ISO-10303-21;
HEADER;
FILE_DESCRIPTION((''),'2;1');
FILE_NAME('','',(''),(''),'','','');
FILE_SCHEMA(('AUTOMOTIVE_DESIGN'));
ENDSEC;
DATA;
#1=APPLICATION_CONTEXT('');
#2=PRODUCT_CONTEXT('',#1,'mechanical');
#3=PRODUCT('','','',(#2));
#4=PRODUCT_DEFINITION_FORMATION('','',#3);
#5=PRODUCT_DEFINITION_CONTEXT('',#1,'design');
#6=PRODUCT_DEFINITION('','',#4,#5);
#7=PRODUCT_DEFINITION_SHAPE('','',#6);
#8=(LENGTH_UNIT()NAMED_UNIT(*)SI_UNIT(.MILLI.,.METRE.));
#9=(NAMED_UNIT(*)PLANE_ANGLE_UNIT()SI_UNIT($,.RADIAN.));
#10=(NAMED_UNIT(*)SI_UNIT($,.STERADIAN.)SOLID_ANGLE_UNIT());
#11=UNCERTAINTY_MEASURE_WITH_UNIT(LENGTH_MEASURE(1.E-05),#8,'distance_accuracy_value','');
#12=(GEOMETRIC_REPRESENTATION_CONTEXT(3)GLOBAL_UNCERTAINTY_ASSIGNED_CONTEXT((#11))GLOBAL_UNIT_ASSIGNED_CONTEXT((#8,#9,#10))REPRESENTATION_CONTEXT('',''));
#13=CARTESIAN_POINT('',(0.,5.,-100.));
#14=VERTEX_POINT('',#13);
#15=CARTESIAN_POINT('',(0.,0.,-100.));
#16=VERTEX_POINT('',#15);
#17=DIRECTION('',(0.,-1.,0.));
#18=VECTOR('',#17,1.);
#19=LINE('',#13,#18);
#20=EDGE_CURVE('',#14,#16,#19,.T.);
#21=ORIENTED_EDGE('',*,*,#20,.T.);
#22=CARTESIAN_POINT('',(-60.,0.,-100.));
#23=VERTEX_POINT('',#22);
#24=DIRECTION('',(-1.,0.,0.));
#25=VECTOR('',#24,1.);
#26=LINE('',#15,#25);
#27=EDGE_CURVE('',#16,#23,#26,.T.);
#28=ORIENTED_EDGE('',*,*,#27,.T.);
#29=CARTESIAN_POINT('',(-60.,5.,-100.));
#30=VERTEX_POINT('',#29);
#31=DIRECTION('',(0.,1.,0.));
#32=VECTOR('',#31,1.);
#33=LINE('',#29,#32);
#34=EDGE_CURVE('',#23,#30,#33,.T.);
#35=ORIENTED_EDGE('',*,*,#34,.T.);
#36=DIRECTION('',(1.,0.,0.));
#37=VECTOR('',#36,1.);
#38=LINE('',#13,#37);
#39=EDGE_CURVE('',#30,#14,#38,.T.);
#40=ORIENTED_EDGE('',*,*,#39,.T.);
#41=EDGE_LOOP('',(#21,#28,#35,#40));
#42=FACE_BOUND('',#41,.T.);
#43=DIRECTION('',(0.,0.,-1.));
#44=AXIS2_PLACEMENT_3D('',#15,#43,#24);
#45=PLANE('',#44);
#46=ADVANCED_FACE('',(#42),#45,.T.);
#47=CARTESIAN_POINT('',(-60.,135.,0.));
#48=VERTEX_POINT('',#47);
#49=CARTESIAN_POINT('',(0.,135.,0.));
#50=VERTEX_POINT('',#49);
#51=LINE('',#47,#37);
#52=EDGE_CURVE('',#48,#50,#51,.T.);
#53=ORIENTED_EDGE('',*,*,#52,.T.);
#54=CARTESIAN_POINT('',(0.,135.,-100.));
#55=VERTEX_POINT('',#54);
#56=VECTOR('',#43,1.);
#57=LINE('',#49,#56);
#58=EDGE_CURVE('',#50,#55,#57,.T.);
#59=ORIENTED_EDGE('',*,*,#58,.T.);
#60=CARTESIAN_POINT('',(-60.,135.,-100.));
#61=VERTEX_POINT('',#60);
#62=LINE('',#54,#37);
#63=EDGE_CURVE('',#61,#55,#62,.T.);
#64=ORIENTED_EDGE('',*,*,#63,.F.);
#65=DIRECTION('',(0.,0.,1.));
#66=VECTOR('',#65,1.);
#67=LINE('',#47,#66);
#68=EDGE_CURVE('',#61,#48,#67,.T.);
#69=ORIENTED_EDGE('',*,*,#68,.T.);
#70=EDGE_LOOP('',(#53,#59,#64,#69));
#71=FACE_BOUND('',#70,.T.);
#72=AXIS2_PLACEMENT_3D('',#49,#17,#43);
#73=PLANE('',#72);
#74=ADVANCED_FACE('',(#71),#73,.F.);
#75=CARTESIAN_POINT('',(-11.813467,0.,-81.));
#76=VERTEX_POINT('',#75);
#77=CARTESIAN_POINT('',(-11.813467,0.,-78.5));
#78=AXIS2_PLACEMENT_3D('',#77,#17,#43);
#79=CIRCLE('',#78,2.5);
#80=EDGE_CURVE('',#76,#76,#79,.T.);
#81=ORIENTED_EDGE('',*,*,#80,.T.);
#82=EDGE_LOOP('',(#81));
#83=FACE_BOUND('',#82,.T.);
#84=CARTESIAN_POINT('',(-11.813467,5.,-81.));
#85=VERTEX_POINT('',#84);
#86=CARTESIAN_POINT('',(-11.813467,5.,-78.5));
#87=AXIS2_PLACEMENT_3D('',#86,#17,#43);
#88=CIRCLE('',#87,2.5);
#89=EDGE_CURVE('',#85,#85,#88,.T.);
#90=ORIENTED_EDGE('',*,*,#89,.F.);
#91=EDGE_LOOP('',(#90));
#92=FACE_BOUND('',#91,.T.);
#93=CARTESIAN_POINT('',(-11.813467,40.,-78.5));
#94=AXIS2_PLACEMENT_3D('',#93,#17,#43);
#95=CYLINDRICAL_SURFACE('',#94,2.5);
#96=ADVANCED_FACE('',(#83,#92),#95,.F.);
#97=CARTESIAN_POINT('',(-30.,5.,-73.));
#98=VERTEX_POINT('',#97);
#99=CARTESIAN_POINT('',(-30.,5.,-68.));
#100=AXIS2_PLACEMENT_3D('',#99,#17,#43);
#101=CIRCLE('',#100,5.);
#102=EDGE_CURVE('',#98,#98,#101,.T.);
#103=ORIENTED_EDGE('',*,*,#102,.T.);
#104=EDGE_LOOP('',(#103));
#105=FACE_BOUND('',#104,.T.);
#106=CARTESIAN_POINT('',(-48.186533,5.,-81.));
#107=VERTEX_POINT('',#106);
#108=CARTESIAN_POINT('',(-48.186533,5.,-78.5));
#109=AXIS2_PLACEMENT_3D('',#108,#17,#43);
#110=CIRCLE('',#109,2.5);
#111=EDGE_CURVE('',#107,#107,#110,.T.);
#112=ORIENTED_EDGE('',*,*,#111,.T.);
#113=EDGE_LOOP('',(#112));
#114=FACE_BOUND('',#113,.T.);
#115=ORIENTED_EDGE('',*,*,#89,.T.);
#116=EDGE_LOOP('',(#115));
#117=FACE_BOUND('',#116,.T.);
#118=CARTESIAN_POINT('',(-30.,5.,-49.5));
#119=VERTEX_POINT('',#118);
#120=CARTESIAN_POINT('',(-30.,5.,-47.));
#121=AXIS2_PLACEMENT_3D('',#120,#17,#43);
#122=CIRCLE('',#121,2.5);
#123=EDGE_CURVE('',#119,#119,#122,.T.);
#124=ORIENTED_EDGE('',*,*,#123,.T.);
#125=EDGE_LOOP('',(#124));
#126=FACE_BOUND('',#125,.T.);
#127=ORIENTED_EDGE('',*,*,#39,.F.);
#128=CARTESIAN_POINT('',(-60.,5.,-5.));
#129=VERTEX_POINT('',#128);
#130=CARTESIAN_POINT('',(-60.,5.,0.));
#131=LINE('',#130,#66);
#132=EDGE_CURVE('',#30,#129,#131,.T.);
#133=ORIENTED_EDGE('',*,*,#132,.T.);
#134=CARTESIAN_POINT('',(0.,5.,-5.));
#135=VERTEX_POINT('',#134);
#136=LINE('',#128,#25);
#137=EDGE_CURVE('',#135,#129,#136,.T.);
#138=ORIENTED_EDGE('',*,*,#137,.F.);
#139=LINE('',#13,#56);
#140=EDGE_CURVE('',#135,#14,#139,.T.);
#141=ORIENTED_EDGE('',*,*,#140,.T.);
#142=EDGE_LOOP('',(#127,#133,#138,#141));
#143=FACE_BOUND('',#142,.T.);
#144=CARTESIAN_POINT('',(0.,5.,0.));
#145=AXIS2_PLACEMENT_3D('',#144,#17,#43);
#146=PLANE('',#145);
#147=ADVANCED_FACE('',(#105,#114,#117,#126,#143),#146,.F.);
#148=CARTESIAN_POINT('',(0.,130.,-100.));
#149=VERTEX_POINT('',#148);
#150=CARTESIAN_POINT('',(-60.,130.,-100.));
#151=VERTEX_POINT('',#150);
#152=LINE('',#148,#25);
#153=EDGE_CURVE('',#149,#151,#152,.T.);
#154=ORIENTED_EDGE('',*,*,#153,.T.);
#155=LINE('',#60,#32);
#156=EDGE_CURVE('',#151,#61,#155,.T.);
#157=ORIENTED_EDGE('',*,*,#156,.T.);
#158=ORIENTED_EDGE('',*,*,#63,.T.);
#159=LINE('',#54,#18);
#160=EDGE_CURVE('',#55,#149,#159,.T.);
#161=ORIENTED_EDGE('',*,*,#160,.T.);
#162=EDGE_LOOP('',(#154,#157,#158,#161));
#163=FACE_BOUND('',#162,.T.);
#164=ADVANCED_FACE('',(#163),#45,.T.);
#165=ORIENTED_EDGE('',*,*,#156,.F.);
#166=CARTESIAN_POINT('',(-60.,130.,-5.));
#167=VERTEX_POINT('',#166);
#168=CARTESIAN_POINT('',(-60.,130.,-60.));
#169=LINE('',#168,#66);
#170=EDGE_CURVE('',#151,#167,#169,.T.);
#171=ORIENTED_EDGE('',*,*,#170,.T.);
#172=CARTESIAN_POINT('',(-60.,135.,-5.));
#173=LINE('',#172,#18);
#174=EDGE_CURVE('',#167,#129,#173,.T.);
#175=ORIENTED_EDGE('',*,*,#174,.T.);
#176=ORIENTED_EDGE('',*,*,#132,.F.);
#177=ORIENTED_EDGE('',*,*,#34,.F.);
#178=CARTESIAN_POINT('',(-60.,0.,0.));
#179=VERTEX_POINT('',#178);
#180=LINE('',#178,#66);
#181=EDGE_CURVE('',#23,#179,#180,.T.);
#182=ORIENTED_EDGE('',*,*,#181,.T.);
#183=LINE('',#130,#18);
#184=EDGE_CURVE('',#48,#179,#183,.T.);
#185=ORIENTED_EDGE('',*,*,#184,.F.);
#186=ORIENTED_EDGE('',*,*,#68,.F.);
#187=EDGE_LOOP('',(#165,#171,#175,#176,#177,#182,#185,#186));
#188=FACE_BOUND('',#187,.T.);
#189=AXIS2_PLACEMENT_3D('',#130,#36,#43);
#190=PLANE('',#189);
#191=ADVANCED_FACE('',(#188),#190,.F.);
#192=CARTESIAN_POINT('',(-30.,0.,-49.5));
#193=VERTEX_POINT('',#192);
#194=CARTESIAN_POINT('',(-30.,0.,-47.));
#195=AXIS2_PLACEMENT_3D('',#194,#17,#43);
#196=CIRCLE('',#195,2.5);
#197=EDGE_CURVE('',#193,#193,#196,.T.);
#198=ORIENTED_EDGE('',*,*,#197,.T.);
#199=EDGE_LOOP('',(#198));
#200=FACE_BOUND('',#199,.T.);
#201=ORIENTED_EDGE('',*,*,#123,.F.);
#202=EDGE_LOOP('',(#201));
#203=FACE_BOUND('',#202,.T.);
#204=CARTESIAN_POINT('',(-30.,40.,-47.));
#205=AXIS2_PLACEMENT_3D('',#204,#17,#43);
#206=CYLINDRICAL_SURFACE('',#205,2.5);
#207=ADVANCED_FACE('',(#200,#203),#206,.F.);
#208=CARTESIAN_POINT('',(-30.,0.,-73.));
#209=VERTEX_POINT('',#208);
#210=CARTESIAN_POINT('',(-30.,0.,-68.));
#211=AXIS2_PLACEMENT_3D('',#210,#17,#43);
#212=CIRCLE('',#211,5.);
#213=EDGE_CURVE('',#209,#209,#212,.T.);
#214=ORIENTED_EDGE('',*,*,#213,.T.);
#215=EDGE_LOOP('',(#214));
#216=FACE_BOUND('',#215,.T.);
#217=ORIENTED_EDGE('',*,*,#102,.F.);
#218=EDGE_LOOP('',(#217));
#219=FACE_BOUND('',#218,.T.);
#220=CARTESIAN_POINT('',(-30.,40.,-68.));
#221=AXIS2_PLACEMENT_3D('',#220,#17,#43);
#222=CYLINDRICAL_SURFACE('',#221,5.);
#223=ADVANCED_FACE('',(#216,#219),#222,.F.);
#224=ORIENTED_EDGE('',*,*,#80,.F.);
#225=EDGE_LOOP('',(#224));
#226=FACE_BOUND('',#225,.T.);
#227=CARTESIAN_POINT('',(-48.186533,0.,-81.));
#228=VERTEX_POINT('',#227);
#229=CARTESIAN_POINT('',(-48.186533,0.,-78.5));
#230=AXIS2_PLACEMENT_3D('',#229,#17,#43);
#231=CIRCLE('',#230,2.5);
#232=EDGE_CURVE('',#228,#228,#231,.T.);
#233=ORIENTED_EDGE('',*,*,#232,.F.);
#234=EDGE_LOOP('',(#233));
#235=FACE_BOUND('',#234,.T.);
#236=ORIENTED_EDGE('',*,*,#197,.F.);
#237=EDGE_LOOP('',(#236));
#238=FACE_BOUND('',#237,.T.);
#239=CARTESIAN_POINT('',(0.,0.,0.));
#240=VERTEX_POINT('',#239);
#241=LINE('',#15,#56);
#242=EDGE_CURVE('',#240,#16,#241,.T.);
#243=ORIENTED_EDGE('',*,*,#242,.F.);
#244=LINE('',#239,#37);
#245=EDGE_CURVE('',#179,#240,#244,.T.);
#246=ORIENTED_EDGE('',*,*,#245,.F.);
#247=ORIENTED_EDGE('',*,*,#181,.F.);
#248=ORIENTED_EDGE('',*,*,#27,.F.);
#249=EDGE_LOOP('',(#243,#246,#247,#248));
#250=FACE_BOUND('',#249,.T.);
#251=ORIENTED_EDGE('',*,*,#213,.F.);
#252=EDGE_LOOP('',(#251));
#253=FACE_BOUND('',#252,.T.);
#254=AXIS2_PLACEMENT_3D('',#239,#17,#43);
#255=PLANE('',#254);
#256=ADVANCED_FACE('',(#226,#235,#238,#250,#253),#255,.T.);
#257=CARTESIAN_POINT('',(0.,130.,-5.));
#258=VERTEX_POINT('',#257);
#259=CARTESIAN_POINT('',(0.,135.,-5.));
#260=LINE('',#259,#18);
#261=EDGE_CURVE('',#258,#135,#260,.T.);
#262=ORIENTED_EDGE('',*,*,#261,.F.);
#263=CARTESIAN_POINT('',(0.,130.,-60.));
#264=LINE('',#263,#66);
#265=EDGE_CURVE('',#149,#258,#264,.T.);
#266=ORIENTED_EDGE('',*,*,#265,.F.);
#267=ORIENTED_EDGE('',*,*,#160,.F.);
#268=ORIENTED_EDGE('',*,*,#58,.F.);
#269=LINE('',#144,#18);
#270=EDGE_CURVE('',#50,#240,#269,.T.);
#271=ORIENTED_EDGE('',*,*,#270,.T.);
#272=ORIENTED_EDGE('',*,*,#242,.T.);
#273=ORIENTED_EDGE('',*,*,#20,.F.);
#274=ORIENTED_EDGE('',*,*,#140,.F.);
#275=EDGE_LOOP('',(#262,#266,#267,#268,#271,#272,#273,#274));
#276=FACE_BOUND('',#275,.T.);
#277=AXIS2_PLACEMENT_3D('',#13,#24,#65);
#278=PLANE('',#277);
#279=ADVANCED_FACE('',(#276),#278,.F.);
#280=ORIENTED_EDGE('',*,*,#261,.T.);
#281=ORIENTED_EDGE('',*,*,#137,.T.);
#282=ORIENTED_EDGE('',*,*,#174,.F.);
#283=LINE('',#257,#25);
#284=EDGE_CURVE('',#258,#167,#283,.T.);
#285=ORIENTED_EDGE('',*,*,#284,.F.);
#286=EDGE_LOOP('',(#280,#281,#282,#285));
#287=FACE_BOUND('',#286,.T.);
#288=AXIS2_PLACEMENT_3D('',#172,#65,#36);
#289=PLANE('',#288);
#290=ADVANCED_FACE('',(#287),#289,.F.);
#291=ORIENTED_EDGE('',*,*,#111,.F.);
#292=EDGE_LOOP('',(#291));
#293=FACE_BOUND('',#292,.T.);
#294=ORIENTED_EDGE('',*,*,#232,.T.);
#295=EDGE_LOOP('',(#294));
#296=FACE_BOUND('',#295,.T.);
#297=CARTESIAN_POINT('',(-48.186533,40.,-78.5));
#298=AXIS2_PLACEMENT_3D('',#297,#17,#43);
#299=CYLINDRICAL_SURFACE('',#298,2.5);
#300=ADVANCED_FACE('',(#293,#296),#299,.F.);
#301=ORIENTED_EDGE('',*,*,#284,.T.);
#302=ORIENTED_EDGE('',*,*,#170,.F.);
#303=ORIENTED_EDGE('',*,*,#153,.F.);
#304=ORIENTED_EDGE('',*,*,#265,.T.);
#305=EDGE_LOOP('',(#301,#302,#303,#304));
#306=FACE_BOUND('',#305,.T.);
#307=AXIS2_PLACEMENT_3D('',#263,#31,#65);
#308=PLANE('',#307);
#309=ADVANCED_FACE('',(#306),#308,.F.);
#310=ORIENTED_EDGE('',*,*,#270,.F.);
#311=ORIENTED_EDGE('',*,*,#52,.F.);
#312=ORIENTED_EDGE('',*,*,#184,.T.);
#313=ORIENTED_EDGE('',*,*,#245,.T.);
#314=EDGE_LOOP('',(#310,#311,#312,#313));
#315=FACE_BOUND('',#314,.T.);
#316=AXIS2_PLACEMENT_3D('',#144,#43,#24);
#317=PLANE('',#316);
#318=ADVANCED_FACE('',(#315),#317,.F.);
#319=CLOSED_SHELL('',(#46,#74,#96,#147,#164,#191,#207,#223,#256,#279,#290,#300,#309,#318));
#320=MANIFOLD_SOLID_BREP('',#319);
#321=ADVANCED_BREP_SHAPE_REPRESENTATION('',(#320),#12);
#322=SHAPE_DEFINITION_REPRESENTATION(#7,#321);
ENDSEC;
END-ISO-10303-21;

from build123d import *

# Parameters (mm, degrees)
SKETCH1_W           = 60
SKETCH1_H           = 100
BOSS_EXTRUDE1_DEPTH = 5
SKETCH2_W           = 60
SKETCH2_H           = 5
BOSS_EXTRUDE2_DEPTH = 130
SKETCH3_W           = 60
SKETCH3_H           = 5
BOSS_EXTRUDE3_DEPTH = 55
SKETCH9_W           = 60
SKETCH9_H           = 40
CUT_EXTRUDE1_DEPTH  = 55
SKETCH11_W          = 60
SKETCH11_H          = 5
BOSS_EXTRUDE4_DEPTH = 40
SKETCH12_W          = 60
SKETCH12_H          = 5
BOSS_EXTRUDE5_DEPTH = 40
SKETCH13_R          = 5
CUT_EXTRUDE2_DEPTH  = 40
SKETCH14_R          = 2.5
CUT_EXTRUDE3_DEPTH  = 40


with BuildPart() as part:
    # Sketch1 → Boss-Extrude1 (new body)
    with BuildSketch(Plane(origin=(0, 0, 0), x_dir=(1, 0, 0), z_dir=(0, 1, 0))):
        with Locations((-30, 50)):
            Rectangle(SKETCH1_W, SKETCH1_H)
    extrude(amount=BOSS_EXTRUDE1_DEPTH)

    # Sketch2 → Boss-Extrude2 (add)
    with BuildSketch(Plane(origin=(0, 5, 0), x_dir=(1, 0, 0), z_dir=(0, 1, 0))):
        with Locations((-30, 2.5)):
            Rectangle(SKETCH2_W, SKETCH2_H)
    extrude(amount=BOSS_EXTRUDE2_DEPTH)

    # Sketch3 → Boss-Extrude3 (add)
    with BuildSketch(Plane(origin=(0, 0, -5), x_dir=(-1, 0, 0), z_dir=(0, 0, -1))):
        with Locations((30, 132.5)):
            Rectangle(SKETCH3_W, SKETCH3_H)
    extrude(amount=BOSS_EXTRUDE3_DEPTH)

    # Sketch9 → Cut-Extrude1 (cut)
    with BuildSketch(Plane(origin=(0, 0, 0), x_dir=(-1, 0, 0), z_dir=(0, -1, 0))):
        with Locations((30, 80)):
            Rectangle(SKETCH9_W, SKETCH9_H)
    extrude(amount=-CUT_EXTRUDE1_DEPTH, mode=Mode.SUBTRACT)

    # Sketch11 → Boss-Extrude4 (add)
    with BuildSketch(Plane(origin=(0, 0, -60), x_dir=(-1, 0, 0), z_dir=(0, 0, -1))):
        with Locations((30, 132.5)):
            Rectangle(SKETCH11_W, SKETCH11_H)
    extrude(amount=BOSS_EXTRUDE4_DEPTH)

    # Sketch12 → Boss-Extrude5 (add)
    with BuildSketch(Plane(origin=(0, 0, -60), x_dir=(-1, 0, 0), z_dir=(0, 0, -1))):
        with Locations((30, 2.5)):
            Rectangle(SKETCH12_W, SKETCH12_H)
    extrude(amount=BOSS_EXTRUDE5_DEPTH)

    # Sketch13 → Cut-Extrude2 (cut)
    with BuildSketch(Plane.XZ):
        with Locations((-30, -68)):
            Circle(SKETCH13_R)
    extrude(amount=-CUT_EXTRUDE2_DEPTH, mode=Mode.SUBTRACT)

    # Sketch14 → Cut-Extrude3 (cut)
    with BuildSketch(Plane.XZ):
        with Locations((-30, -47)):
            Circle(SKETCH14_R)
        with Locations((-48.186533479, -78.5)):
            Circle(SKETCH14_R)
        with Locations((-11.813466521, -78.5)):
            Circle(SKETCH14_R)
    extrude(amount=-CUT_EXTRUDE3_DEPTH, mode=Mode.SUBTRACT)


solid = part.part
